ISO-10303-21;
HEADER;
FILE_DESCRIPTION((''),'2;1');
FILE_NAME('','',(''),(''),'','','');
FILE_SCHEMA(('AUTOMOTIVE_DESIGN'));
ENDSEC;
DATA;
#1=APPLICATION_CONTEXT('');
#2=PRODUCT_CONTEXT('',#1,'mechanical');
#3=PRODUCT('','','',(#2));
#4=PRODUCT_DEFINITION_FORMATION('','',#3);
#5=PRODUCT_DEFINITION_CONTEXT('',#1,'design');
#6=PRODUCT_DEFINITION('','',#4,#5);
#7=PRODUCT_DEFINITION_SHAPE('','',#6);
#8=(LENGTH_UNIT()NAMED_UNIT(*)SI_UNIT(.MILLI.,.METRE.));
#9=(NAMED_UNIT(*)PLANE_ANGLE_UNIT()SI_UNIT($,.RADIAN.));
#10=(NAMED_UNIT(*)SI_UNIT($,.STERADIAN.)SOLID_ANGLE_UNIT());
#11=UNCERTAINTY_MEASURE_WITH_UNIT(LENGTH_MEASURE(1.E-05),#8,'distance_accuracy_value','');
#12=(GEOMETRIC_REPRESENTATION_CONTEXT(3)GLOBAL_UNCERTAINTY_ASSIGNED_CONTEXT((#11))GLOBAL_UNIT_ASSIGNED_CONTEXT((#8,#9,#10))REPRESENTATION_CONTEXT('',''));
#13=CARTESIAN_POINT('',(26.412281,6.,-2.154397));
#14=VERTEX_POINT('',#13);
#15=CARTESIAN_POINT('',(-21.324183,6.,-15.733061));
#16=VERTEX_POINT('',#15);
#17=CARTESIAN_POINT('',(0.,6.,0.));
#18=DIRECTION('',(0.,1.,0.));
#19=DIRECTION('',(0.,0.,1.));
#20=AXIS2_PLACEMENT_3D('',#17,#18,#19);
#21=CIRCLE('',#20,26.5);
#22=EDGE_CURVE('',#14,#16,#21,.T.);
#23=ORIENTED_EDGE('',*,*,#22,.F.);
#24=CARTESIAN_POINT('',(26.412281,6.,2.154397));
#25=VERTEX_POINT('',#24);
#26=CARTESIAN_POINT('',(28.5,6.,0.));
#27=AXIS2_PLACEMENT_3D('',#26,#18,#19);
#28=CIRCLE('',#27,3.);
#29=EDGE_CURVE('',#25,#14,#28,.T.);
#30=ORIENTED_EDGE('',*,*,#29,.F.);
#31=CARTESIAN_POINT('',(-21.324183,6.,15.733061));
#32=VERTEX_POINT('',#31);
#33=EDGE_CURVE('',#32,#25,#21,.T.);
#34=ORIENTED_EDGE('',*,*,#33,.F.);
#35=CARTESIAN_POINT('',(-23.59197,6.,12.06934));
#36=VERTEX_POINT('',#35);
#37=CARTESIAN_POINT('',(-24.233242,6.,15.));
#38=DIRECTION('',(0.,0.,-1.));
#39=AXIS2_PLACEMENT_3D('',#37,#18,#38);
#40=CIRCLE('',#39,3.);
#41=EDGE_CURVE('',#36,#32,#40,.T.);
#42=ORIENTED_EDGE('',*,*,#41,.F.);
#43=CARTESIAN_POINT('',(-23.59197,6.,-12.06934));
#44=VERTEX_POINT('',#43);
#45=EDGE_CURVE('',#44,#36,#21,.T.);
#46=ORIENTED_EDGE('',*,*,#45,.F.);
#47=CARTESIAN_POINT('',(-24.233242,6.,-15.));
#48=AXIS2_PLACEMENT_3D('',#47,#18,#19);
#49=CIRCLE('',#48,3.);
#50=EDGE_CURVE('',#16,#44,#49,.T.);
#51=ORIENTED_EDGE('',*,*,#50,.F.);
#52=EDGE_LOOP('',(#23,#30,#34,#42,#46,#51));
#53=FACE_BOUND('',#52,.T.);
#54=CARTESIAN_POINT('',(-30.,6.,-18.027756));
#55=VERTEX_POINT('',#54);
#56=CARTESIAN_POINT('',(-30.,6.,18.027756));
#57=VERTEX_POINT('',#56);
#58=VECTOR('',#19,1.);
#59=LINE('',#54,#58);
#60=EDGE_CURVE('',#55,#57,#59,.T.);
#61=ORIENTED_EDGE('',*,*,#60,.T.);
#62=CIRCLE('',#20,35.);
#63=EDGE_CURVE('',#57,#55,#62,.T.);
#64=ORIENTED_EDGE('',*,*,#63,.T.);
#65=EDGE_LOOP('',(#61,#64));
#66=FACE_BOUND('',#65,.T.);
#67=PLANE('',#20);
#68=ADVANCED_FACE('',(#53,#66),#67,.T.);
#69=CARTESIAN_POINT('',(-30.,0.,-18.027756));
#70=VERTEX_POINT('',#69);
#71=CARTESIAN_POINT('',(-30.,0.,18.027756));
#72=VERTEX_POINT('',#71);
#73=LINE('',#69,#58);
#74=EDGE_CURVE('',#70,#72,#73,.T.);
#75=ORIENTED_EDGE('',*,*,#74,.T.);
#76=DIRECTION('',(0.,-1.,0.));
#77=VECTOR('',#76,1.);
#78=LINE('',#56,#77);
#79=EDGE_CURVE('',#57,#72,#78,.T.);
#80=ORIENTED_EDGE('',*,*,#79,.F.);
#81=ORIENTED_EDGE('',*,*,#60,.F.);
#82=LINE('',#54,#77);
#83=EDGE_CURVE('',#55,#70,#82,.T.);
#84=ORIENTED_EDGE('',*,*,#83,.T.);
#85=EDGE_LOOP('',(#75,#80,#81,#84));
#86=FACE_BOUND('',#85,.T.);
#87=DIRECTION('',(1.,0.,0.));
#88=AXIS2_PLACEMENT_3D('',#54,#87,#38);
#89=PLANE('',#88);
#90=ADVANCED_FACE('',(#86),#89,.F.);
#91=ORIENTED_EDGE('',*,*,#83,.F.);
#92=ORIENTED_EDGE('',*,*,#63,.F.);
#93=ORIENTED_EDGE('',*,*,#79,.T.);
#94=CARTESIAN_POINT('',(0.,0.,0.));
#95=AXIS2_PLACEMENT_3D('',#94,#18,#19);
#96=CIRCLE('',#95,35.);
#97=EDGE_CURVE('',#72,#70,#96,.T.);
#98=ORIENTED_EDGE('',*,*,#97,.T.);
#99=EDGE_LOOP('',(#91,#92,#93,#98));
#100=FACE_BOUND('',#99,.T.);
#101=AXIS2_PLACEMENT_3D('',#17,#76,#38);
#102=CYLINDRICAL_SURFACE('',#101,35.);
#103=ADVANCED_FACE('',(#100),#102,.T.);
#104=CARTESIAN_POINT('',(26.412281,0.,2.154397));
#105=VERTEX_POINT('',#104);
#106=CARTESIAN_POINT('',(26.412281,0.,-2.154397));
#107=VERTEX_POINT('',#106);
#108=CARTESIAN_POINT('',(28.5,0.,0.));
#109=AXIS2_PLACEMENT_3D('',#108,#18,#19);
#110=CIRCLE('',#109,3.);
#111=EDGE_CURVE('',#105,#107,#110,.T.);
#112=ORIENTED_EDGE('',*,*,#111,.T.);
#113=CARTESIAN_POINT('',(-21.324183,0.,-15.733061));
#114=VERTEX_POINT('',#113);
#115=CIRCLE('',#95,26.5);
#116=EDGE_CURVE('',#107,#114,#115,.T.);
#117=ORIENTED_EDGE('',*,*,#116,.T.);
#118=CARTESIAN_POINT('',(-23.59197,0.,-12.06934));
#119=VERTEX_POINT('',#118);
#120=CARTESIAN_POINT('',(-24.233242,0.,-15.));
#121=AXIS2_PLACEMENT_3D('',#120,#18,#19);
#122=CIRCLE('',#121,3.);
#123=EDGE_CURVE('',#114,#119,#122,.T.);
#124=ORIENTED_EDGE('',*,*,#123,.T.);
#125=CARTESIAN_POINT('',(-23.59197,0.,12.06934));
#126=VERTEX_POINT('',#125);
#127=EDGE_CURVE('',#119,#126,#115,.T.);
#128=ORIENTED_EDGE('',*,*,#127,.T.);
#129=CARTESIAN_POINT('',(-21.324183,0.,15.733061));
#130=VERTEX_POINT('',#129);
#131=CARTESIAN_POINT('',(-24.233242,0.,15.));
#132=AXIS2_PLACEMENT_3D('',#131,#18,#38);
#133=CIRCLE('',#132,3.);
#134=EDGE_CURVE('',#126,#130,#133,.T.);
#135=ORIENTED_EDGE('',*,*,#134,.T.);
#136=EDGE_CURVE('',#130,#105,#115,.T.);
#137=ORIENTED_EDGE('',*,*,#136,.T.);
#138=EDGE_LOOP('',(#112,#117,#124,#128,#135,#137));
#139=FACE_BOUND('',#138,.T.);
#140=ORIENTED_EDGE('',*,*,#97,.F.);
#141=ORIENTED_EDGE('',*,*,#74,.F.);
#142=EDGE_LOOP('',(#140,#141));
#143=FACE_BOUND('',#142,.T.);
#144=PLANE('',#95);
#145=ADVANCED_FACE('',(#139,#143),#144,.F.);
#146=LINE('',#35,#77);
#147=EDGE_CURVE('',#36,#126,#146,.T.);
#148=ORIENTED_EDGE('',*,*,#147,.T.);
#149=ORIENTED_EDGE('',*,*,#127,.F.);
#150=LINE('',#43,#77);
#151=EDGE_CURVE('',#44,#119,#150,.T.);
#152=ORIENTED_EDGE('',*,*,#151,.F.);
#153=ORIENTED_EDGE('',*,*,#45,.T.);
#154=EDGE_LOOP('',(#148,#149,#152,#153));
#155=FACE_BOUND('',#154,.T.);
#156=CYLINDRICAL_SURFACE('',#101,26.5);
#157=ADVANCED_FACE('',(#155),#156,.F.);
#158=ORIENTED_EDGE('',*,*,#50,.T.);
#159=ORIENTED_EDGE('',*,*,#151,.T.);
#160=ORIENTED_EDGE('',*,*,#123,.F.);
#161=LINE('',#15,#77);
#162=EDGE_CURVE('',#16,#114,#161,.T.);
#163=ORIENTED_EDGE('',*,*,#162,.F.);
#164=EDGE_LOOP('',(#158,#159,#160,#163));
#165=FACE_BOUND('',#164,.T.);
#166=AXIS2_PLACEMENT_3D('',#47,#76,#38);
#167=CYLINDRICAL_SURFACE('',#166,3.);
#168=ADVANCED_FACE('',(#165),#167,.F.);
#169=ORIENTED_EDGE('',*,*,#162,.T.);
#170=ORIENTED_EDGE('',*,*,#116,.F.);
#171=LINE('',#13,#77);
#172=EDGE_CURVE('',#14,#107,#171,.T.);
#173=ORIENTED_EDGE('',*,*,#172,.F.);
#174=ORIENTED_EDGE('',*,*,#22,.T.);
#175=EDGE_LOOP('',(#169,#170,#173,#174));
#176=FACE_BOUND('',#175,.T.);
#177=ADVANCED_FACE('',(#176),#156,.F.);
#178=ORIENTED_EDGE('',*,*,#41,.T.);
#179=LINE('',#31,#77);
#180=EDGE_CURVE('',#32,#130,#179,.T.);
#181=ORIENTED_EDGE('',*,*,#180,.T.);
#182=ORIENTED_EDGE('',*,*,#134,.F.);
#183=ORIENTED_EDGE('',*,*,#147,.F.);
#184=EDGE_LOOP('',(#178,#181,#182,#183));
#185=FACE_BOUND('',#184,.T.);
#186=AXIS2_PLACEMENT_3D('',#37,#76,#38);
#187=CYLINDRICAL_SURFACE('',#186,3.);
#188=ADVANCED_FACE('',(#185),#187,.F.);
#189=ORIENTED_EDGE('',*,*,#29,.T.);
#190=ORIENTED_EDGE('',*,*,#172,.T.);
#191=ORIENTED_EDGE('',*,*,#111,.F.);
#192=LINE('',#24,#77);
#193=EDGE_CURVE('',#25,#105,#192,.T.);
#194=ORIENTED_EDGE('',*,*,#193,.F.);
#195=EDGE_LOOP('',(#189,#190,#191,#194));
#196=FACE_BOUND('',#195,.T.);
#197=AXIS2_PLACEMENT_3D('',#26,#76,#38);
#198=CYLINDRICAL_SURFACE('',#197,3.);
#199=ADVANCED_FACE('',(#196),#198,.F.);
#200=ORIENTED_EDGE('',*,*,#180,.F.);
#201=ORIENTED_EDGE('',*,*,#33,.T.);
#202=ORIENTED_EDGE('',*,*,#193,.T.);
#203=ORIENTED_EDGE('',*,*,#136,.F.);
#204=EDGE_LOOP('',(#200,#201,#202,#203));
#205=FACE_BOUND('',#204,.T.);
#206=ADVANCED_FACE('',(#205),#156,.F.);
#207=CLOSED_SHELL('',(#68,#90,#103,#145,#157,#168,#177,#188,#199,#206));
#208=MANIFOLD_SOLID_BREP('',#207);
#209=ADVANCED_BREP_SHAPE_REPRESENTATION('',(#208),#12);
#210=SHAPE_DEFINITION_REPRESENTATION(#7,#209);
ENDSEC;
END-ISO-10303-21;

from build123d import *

# Parameters (mm, degrees)
EXTRUDE_1_DEPTH = 6


with BuildPart() as part:
    # 草图1 → 凸台-拉伸1 (new body)
    with BuildSketch(Plane(origin=(0, 0, 0), x_dir=(1, 0, 0), z_dir=(0, 1, 0))):
        with BuildLine():
            Line((-30, 18.027756377), (-30, -18.027756377))
            ThreePointArc((-30, -18.027756377), (35, 0), (-30, 18.027756377))
        make_face()
        with BuildLine():
            ThreePointArc((-21.324183136, 15.733061163), (-26.784109172, 16.578947368), (-23.591969867, 12.069339576))
            ThreePointArc((-23.591969867, 12.069339576), (-26.5, 0), (-23.591969867, -12.069339576))
            ThreePointArc((-23.591969867, -12.069339576), (-26.784109172, -16.578947368), (-21.324183136, -15.733061163))
            ThreePointArc((-21.324183136, -15.733061163), (7.250324934, -25.488875777), (26.412280702, -2.154397394))
            ThreePointArc((26.412280702, -2.154397394), (31.5, 0), (26.412280702, 2.154397394))
            ThreePointArc((26.412280702, 2.154397394), (7.250324934, 25.488875777), (-21.324183136, 15.733061163))
        make_face(mode=Mode.SUBTRACT)
    extrude(amount=EXTRUDE_1_DEPTH)


solid = part.part
